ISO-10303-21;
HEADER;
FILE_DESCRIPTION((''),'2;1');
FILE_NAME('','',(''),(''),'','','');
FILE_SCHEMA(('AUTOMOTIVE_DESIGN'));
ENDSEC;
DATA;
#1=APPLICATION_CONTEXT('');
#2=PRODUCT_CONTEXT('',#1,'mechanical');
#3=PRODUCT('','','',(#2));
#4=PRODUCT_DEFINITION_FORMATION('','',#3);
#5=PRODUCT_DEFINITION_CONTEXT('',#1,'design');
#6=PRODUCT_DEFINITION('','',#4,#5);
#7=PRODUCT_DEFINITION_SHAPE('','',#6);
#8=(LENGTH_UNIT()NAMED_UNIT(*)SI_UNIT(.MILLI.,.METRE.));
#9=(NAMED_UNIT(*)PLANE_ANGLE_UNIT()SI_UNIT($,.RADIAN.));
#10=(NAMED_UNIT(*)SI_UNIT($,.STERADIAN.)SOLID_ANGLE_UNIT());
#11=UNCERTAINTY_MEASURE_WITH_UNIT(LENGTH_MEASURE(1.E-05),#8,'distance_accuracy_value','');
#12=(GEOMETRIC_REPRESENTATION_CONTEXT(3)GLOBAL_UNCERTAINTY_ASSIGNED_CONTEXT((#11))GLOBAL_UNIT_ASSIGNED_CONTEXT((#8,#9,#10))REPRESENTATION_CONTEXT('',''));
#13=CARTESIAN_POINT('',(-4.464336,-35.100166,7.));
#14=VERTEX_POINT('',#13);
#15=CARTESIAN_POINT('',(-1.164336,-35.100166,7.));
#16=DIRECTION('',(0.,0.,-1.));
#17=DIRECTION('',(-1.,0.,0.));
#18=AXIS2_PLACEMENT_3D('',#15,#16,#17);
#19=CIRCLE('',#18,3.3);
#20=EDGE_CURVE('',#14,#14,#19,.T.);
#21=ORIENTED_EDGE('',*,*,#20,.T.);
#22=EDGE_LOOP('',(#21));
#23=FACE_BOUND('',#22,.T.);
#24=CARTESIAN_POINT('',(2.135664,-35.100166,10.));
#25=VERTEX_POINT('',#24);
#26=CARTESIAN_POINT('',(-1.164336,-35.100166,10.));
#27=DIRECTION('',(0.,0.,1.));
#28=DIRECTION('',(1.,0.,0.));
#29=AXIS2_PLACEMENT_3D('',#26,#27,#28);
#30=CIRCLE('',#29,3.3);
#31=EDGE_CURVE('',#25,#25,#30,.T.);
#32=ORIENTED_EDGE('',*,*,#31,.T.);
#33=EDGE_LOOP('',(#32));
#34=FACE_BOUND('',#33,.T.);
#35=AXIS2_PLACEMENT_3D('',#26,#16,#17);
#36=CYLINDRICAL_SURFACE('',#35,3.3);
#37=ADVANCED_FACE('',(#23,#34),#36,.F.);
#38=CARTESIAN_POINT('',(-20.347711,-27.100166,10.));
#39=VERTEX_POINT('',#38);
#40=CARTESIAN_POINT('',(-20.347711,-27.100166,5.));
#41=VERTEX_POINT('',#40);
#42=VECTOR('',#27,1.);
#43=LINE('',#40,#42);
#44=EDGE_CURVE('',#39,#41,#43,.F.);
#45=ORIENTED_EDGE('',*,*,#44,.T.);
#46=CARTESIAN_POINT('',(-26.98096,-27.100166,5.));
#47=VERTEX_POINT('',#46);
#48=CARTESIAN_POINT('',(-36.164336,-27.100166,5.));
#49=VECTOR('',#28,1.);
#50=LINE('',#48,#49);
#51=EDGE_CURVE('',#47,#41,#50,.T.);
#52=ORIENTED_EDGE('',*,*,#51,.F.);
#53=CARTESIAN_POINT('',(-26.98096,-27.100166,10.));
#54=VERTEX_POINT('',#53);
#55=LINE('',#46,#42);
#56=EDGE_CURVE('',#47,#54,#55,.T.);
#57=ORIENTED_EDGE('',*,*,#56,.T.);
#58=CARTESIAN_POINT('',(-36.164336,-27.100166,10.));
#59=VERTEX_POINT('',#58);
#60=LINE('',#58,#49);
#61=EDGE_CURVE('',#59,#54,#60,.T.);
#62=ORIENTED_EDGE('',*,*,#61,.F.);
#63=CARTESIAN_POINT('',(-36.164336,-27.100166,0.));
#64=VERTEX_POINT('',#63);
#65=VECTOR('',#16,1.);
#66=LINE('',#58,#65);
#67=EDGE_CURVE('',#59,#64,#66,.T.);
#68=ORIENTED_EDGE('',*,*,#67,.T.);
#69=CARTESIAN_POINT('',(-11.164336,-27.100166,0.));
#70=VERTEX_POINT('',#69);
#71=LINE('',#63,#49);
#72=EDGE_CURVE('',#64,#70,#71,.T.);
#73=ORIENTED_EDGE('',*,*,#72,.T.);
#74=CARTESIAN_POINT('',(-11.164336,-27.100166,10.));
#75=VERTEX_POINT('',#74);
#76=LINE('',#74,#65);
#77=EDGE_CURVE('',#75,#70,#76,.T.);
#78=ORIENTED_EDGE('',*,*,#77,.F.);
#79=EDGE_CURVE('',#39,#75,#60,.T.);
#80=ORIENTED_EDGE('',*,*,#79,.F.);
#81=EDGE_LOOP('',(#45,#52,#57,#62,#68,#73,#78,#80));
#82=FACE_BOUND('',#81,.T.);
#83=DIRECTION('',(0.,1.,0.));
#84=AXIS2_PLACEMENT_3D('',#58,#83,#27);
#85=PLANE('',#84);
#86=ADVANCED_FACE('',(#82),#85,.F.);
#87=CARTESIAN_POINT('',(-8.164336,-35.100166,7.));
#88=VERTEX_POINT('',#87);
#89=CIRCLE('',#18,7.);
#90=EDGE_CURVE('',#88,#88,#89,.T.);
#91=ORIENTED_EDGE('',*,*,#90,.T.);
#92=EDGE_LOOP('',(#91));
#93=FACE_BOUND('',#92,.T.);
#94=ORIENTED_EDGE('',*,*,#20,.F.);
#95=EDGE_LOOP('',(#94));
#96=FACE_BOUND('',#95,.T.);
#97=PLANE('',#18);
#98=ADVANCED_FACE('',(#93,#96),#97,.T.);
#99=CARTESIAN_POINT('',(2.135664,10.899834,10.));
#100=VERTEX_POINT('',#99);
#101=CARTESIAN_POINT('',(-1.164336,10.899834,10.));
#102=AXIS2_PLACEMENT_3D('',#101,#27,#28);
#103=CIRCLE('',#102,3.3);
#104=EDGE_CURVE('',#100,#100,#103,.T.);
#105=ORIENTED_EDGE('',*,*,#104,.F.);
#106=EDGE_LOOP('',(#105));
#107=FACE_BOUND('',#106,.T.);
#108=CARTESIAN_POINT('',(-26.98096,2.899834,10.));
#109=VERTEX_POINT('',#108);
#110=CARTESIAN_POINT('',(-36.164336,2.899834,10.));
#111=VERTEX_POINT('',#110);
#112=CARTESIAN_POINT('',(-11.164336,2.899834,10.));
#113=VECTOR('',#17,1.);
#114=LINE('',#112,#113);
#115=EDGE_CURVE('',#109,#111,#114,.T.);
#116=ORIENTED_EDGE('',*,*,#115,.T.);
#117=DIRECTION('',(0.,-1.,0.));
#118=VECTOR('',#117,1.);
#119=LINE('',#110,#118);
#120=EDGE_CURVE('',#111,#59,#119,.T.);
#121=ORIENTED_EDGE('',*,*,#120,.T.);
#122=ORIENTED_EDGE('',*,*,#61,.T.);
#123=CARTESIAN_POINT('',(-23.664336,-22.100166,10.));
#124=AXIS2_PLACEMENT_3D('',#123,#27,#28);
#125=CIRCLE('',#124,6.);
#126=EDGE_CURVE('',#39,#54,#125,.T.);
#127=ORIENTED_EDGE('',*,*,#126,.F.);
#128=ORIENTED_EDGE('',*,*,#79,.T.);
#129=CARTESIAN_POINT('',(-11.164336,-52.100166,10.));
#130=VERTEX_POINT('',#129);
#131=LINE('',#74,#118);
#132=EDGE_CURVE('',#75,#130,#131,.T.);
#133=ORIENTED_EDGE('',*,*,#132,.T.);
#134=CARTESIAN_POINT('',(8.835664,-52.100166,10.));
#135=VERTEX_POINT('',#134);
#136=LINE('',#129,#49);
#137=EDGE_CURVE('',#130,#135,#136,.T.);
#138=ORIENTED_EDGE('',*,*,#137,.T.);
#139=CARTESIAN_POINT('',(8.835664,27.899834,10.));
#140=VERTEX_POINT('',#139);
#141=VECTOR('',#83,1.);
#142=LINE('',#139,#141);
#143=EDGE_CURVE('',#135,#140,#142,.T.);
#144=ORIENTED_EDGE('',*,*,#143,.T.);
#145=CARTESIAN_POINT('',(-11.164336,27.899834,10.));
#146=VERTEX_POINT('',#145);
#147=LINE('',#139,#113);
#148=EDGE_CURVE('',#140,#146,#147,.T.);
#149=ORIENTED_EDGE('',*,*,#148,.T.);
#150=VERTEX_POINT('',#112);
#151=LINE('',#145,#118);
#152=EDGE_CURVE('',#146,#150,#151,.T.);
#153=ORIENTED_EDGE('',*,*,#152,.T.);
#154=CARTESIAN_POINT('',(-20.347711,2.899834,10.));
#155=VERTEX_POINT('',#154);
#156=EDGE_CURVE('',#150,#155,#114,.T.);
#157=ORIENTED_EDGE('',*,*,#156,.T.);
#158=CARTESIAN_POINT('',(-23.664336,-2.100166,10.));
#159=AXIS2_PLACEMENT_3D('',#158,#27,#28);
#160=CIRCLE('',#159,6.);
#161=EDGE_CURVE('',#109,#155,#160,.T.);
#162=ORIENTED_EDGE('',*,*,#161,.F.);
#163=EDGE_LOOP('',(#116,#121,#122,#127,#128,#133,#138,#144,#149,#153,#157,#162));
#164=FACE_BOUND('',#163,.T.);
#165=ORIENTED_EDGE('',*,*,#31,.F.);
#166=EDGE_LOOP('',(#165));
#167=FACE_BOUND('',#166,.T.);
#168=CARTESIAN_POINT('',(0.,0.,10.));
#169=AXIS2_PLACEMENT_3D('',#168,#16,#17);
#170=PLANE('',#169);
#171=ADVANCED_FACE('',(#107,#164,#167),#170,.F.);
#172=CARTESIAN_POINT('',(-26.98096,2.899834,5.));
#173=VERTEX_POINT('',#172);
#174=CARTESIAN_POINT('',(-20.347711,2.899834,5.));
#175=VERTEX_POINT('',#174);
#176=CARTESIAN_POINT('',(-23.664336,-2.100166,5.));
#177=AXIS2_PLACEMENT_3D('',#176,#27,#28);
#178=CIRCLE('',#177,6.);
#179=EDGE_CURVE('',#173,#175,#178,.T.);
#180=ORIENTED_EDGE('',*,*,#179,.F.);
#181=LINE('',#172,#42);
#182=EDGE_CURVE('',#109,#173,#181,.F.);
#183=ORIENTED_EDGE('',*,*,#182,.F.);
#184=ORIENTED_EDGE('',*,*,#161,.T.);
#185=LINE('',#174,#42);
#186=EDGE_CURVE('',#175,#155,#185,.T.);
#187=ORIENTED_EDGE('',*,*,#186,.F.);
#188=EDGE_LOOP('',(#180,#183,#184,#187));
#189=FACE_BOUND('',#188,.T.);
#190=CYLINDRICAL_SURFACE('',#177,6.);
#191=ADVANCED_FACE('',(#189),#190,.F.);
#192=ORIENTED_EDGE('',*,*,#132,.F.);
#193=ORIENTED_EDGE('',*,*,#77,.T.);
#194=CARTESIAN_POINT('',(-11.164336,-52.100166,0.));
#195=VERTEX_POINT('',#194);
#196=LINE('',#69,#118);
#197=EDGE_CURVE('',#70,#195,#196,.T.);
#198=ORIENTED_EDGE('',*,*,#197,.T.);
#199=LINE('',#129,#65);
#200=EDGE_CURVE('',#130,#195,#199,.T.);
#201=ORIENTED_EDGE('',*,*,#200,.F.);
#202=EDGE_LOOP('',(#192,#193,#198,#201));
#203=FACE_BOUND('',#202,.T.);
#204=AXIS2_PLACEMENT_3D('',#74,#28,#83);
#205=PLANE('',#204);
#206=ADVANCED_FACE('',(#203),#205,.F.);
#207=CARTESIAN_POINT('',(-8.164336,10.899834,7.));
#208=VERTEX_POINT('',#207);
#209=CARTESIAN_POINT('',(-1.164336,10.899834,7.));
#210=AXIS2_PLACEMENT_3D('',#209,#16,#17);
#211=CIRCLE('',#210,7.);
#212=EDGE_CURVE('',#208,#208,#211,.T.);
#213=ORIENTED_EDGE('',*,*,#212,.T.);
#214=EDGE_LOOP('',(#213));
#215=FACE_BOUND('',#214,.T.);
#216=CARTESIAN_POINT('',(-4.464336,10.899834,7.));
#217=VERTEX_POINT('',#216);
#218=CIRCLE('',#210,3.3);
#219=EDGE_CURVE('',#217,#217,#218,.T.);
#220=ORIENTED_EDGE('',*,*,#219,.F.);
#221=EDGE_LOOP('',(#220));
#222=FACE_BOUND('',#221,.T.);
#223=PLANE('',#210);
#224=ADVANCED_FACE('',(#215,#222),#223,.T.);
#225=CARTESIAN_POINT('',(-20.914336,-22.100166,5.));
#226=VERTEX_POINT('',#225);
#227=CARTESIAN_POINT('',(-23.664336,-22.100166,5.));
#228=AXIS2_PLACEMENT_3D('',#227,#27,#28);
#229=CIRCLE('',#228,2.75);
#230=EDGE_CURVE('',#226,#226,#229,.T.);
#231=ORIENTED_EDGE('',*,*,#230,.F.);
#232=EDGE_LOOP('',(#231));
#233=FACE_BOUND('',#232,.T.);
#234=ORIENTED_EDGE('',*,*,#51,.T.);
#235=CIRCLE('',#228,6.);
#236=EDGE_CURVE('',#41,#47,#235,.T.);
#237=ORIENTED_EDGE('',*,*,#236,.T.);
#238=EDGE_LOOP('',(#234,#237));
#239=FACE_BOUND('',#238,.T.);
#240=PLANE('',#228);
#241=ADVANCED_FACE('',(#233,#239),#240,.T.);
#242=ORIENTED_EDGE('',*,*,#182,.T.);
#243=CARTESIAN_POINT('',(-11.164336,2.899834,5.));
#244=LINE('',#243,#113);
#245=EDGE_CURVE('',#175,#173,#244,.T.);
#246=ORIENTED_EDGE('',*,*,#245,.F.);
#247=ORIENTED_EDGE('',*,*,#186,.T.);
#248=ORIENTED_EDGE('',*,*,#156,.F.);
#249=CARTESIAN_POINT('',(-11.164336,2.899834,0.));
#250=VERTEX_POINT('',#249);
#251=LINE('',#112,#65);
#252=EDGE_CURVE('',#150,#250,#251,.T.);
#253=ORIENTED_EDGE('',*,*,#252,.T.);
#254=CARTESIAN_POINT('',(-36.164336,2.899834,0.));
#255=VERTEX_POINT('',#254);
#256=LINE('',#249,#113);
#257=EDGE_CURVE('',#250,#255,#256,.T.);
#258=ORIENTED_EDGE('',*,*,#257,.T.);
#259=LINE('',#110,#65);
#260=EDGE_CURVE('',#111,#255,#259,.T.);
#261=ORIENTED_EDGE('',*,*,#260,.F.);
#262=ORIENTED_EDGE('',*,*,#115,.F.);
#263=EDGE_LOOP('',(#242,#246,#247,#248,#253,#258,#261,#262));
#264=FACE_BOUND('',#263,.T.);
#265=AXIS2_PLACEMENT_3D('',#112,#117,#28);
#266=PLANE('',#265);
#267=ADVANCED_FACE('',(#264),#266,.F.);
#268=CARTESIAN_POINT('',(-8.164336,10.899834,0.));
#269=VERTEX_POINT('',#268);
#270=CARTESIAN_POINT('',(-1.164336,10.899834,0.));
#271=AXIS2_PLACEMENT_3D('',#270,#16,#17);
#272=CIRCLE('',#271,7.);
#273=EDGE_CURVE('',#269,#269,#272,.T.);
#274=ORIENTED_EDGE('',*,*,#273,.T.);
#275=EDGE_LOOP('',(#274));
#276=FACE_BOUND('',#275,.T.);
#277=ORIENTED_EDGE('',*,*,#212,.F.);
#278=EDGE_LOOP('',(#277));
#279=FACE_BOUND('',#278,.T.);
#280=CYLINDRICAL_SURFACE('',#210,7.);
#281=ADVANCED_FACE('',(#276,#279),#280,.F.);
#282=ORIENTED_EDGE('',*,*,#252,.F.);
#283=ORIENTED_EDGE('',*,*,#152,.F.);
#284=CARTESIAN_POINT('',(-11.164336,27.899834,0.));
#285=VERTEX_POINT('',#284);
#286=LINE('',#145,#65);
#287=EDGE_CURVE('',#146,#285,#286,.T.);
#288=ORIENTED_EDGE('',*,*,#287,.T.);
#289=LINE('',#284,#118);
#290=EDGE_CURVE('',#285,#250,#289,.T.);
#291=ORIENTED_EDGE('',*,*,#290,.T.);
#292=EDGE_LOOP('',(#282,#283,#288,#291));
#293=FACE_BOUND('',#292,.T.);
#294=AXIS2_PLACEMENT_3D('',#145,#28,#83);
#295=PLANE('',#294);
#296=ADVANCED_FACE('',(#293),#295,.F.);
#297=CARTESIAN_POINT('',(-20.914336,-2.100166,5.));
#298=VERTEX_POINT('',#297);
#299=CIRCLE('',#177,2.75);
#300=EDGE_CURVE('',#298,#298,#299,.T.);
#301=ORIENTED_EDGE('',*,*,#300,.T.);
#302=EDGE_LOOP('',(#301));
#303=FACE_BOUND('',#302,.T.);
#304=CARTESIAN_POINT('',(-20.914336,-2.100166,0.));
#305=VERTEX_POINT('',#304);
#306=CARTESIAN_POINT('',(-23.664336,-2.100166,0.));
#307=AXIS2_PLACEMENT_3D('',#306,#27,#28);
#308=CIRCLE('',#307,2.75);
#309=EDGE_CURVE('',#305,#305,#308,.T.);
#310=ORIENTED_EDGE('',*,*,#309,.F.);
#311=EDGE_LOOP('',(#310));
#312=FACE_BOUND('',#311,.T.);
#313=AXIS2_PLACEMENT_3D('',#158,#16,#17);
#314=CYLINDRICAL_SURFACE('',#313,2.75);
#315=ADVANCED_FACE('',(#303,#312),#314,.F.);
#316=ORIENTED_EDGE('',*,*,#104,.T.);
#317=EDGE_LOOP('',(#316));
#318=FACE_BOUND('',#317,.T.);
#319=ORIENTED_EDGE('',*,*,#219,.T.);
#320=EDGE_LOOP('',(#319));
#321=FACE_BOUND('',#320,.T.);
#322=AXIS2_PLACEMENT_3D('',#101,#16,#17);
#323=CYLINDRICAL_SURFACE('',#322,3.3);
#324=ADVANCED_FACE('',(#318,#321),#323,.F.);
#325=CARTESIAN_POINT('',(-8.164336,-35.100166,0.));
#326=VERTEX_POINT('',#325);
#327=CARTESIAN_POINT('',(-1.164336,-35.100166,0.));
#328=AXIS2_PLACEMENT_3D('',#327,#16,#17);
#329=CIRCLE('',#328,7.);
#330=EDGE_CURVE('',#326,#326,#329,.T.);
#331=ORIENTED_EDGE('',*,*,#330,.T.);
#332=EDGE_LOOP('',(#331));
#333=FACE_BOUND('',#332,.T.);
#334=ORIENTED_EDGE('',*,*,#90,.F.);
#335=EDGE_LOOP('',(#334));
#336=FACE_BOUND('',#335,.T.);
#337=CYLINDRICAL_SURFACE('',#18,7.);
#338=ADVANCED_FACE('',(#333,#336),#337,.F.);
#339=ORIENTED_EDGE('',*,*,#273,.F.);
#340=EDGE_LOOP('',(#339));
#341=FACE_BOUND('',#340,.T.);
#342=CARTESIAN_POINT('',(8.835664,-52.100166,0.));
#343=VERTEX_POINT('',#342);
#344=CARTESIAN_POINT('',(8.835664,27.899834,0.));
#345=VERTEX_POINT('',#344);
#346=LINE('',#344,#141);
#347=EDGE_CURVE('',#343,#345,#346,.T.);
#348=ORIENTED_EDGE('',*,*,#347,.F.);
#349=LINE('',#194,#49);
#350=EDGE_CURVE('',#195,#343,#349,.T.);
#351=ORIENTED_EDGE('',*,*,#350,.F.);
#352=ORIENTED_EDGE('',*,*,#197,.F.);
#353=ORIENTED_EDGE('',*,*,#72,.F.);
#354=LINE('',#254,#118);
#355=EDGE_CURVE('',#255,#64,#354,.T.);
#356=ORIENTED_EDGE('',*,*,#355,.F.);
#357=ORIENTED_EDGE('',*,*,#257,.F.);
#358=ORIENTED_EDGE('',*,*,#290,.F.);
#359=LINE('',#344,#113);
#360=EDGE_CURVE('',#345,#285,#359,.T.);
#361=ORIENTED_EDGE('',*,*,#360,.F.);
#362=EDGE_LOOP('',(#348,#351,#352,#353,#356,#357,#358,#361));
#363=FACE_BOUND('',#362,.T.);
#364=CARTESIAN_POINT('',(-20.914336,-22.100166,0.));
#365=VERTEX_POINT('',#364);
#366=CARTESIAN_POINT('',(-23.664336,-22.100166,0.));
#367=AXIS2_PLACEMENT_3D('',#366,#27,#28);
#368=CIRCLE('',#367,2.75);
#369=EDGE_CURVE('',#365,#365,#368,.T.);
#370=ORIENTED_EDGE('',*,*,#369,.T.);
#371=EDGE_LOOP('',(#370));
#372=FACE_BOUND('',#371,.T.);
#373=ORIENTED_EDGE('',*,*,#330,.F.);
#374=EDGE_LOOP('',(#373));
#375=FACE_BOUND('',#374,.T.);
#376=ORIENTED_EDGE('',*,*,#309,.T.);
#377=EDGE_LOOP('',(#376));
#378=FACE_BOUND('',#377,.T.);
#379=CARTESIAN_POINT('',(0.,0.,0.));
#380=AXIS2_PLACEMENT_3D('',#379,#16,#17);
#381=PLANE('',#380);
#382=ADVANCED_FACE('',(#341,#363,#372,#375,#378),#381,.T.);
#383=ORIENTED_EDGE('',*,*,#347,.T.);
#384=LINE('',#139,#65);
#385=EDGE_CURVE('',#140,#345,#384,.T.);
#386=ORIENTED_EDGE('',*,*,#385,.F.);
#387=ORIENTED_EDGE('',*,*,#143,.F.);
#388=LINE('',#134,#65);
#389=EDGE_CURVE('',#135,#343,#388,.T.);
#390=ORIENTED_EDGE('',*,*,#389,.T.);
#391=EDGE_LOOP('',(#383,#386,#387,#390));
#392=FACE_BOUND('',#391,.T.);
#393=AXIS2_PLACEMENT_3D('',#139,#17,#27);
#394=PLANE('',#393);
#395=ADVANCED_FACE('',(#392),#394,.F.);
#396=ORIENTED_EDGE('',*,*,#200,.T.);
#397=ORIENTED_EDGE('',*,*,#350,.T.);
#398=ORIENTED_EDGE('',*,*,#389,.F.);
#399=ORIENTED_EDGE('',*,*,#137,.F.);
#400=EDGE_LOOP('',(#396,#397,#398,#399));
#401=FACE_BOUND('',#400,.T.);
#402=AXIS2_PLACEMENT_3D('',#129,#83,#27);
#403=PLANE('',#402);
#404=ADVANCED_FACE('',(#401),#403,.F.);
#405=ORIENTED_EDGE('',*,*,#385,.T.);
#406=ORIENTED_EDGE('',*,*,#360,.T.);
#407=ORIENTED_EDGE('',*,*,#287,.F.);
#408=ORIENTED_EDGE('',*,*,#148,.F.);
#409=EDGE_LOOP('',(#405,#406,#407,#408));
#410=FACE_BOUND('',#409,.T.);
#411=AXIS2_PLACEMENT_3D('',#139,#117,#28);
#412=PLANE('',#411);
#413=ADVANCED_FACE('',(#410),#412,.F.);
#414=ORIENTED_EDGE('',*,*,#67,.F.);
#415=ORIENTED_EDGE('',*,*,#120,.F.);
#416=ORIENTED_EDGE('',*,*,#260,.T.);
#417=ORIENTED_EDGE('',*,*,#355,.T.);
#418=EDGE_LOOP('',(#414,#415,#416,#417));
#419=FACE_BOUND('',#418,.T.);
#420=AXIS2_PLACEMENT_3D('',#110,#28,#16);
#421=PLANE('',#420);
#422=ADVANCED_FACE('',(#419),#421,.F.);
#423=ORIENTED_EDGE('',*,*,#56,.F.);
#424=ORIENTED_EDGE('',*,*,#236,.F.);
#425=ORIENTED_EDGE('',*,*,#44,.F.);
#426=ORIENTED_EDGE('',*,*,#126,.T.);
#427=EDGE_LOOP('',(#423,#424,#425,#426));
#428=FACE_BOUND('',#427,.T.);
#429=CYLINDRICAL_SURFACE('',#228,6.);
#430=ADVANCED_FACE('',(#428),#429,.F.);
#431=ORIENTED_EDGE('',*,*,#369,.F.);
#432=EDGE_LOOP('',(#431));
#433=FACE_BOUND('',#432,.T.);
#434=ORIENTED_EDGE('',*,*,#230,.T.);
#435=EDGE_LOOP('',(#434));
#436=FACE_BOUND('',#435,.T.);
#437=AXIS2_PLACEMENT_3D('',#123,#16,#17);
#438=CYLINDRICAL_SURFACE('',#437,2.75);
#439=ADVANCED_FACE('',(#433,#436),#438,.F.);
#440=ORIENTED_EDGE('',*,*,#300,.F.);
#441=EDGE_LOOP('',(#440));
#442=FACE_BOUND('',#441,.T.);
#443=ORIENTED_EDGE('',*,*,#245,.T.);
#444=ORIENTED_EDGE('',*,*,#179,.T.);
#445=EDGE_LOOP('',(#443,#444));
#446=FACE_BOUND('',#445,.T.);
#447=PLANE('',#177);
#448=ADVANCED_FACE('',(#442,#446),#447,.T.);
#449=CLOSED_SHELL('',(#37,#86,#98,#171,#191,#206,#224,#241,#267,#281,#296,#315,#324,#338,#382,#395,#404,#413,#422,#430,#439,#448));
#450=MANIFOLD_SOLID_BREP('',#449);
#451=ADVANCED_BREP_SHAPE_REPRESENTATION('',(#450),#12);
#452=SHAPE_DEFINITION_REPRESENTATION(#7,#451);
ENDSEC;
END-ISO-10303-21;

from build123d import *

# Parameters (mm, degrees)
ESQUISSE1_R             = 3.3
ESQUISSE1_R_2           = 2.75
BOSS_EXTRU_1_DEPTH      = 10
ESQUISSE2_R             = 6
ENL_V_MAT_EXTRU_1_DEPTH = 5
ESQUISSE3_R             = 7
ENL_V_MAT_EXTRU_3_DEPTH = 7


with BuildPart() as part:
    # Esquisse1 → Boss.-Extru.1 (new body)
    with BuildSketch(Plane.XY):
        Polygon((8.835664484, 27.89983396), (8.835664484, -52.10016604), (-11.164335516, -52.10016604), (-11.164335516, -27.10016604), (-36.164335516, -27.10016604), (-36.164335516, 2.89983396), (-11.164335516, 2.89983396), (-11.164335516, 27.89983396), align=None)
        with Locations((-1.164335516, 10.89983396)):
            Circle(ESQUISSE1_R, mode=Mode.SUBTRACT)
        with Locations((-1.164335516, -35.10016604)):
            Circle(ESQUISSE1_R, mode=Mode.SUBTRACT)
        with Locations((-23.664335516, -2.10016604)):
            Circle(ESQUISSE1_R_2, mode=Mode.SUBTRACT)
        with Locations((-23.664335516, -22.10016604)):
            Circle(ESQUISSE1_R_2, mode=Mode.SUBTRACT)
    extrude(amount=BOSS_EXTRU_1_DEPTH)

    # Esquisse2 → Enlèv. mat.-Extru.1 (cut)
    with BuildSketch(Plane.XY.offset(10)):
        with Locations((-23.664335516, -2.10016604)):
            Circle(ESQUISSE2_R)
        with Locations((-23.664335516, -22.10016604)):
            Circle(ESQUISSE2_R)
    extrude(amount=-ENL_V_MAT_EXTRU_1_DEPTH, mode=Mode.SUBTRACT)

    # Esquisse3 → Enlèv. mat.-Extru.3 (cut)
    with BuildSketch(Plane(origin=(0, 0, 0), x_dir=(-1, 0, 0), z_dir=(0, 0, -1))):
        with Locations((1.164335516, 10.89983396)):
            Circle(ESQUISSE3_R)
        with Locations((1.164335516, -35.10016604)):
            Circle(ESQUISSE3_R)
    extrude(amount=-ENL_V_MAT_EXTRU_3_DEPTH, mode=Mode.SUBTRACT)


solid = part.part
